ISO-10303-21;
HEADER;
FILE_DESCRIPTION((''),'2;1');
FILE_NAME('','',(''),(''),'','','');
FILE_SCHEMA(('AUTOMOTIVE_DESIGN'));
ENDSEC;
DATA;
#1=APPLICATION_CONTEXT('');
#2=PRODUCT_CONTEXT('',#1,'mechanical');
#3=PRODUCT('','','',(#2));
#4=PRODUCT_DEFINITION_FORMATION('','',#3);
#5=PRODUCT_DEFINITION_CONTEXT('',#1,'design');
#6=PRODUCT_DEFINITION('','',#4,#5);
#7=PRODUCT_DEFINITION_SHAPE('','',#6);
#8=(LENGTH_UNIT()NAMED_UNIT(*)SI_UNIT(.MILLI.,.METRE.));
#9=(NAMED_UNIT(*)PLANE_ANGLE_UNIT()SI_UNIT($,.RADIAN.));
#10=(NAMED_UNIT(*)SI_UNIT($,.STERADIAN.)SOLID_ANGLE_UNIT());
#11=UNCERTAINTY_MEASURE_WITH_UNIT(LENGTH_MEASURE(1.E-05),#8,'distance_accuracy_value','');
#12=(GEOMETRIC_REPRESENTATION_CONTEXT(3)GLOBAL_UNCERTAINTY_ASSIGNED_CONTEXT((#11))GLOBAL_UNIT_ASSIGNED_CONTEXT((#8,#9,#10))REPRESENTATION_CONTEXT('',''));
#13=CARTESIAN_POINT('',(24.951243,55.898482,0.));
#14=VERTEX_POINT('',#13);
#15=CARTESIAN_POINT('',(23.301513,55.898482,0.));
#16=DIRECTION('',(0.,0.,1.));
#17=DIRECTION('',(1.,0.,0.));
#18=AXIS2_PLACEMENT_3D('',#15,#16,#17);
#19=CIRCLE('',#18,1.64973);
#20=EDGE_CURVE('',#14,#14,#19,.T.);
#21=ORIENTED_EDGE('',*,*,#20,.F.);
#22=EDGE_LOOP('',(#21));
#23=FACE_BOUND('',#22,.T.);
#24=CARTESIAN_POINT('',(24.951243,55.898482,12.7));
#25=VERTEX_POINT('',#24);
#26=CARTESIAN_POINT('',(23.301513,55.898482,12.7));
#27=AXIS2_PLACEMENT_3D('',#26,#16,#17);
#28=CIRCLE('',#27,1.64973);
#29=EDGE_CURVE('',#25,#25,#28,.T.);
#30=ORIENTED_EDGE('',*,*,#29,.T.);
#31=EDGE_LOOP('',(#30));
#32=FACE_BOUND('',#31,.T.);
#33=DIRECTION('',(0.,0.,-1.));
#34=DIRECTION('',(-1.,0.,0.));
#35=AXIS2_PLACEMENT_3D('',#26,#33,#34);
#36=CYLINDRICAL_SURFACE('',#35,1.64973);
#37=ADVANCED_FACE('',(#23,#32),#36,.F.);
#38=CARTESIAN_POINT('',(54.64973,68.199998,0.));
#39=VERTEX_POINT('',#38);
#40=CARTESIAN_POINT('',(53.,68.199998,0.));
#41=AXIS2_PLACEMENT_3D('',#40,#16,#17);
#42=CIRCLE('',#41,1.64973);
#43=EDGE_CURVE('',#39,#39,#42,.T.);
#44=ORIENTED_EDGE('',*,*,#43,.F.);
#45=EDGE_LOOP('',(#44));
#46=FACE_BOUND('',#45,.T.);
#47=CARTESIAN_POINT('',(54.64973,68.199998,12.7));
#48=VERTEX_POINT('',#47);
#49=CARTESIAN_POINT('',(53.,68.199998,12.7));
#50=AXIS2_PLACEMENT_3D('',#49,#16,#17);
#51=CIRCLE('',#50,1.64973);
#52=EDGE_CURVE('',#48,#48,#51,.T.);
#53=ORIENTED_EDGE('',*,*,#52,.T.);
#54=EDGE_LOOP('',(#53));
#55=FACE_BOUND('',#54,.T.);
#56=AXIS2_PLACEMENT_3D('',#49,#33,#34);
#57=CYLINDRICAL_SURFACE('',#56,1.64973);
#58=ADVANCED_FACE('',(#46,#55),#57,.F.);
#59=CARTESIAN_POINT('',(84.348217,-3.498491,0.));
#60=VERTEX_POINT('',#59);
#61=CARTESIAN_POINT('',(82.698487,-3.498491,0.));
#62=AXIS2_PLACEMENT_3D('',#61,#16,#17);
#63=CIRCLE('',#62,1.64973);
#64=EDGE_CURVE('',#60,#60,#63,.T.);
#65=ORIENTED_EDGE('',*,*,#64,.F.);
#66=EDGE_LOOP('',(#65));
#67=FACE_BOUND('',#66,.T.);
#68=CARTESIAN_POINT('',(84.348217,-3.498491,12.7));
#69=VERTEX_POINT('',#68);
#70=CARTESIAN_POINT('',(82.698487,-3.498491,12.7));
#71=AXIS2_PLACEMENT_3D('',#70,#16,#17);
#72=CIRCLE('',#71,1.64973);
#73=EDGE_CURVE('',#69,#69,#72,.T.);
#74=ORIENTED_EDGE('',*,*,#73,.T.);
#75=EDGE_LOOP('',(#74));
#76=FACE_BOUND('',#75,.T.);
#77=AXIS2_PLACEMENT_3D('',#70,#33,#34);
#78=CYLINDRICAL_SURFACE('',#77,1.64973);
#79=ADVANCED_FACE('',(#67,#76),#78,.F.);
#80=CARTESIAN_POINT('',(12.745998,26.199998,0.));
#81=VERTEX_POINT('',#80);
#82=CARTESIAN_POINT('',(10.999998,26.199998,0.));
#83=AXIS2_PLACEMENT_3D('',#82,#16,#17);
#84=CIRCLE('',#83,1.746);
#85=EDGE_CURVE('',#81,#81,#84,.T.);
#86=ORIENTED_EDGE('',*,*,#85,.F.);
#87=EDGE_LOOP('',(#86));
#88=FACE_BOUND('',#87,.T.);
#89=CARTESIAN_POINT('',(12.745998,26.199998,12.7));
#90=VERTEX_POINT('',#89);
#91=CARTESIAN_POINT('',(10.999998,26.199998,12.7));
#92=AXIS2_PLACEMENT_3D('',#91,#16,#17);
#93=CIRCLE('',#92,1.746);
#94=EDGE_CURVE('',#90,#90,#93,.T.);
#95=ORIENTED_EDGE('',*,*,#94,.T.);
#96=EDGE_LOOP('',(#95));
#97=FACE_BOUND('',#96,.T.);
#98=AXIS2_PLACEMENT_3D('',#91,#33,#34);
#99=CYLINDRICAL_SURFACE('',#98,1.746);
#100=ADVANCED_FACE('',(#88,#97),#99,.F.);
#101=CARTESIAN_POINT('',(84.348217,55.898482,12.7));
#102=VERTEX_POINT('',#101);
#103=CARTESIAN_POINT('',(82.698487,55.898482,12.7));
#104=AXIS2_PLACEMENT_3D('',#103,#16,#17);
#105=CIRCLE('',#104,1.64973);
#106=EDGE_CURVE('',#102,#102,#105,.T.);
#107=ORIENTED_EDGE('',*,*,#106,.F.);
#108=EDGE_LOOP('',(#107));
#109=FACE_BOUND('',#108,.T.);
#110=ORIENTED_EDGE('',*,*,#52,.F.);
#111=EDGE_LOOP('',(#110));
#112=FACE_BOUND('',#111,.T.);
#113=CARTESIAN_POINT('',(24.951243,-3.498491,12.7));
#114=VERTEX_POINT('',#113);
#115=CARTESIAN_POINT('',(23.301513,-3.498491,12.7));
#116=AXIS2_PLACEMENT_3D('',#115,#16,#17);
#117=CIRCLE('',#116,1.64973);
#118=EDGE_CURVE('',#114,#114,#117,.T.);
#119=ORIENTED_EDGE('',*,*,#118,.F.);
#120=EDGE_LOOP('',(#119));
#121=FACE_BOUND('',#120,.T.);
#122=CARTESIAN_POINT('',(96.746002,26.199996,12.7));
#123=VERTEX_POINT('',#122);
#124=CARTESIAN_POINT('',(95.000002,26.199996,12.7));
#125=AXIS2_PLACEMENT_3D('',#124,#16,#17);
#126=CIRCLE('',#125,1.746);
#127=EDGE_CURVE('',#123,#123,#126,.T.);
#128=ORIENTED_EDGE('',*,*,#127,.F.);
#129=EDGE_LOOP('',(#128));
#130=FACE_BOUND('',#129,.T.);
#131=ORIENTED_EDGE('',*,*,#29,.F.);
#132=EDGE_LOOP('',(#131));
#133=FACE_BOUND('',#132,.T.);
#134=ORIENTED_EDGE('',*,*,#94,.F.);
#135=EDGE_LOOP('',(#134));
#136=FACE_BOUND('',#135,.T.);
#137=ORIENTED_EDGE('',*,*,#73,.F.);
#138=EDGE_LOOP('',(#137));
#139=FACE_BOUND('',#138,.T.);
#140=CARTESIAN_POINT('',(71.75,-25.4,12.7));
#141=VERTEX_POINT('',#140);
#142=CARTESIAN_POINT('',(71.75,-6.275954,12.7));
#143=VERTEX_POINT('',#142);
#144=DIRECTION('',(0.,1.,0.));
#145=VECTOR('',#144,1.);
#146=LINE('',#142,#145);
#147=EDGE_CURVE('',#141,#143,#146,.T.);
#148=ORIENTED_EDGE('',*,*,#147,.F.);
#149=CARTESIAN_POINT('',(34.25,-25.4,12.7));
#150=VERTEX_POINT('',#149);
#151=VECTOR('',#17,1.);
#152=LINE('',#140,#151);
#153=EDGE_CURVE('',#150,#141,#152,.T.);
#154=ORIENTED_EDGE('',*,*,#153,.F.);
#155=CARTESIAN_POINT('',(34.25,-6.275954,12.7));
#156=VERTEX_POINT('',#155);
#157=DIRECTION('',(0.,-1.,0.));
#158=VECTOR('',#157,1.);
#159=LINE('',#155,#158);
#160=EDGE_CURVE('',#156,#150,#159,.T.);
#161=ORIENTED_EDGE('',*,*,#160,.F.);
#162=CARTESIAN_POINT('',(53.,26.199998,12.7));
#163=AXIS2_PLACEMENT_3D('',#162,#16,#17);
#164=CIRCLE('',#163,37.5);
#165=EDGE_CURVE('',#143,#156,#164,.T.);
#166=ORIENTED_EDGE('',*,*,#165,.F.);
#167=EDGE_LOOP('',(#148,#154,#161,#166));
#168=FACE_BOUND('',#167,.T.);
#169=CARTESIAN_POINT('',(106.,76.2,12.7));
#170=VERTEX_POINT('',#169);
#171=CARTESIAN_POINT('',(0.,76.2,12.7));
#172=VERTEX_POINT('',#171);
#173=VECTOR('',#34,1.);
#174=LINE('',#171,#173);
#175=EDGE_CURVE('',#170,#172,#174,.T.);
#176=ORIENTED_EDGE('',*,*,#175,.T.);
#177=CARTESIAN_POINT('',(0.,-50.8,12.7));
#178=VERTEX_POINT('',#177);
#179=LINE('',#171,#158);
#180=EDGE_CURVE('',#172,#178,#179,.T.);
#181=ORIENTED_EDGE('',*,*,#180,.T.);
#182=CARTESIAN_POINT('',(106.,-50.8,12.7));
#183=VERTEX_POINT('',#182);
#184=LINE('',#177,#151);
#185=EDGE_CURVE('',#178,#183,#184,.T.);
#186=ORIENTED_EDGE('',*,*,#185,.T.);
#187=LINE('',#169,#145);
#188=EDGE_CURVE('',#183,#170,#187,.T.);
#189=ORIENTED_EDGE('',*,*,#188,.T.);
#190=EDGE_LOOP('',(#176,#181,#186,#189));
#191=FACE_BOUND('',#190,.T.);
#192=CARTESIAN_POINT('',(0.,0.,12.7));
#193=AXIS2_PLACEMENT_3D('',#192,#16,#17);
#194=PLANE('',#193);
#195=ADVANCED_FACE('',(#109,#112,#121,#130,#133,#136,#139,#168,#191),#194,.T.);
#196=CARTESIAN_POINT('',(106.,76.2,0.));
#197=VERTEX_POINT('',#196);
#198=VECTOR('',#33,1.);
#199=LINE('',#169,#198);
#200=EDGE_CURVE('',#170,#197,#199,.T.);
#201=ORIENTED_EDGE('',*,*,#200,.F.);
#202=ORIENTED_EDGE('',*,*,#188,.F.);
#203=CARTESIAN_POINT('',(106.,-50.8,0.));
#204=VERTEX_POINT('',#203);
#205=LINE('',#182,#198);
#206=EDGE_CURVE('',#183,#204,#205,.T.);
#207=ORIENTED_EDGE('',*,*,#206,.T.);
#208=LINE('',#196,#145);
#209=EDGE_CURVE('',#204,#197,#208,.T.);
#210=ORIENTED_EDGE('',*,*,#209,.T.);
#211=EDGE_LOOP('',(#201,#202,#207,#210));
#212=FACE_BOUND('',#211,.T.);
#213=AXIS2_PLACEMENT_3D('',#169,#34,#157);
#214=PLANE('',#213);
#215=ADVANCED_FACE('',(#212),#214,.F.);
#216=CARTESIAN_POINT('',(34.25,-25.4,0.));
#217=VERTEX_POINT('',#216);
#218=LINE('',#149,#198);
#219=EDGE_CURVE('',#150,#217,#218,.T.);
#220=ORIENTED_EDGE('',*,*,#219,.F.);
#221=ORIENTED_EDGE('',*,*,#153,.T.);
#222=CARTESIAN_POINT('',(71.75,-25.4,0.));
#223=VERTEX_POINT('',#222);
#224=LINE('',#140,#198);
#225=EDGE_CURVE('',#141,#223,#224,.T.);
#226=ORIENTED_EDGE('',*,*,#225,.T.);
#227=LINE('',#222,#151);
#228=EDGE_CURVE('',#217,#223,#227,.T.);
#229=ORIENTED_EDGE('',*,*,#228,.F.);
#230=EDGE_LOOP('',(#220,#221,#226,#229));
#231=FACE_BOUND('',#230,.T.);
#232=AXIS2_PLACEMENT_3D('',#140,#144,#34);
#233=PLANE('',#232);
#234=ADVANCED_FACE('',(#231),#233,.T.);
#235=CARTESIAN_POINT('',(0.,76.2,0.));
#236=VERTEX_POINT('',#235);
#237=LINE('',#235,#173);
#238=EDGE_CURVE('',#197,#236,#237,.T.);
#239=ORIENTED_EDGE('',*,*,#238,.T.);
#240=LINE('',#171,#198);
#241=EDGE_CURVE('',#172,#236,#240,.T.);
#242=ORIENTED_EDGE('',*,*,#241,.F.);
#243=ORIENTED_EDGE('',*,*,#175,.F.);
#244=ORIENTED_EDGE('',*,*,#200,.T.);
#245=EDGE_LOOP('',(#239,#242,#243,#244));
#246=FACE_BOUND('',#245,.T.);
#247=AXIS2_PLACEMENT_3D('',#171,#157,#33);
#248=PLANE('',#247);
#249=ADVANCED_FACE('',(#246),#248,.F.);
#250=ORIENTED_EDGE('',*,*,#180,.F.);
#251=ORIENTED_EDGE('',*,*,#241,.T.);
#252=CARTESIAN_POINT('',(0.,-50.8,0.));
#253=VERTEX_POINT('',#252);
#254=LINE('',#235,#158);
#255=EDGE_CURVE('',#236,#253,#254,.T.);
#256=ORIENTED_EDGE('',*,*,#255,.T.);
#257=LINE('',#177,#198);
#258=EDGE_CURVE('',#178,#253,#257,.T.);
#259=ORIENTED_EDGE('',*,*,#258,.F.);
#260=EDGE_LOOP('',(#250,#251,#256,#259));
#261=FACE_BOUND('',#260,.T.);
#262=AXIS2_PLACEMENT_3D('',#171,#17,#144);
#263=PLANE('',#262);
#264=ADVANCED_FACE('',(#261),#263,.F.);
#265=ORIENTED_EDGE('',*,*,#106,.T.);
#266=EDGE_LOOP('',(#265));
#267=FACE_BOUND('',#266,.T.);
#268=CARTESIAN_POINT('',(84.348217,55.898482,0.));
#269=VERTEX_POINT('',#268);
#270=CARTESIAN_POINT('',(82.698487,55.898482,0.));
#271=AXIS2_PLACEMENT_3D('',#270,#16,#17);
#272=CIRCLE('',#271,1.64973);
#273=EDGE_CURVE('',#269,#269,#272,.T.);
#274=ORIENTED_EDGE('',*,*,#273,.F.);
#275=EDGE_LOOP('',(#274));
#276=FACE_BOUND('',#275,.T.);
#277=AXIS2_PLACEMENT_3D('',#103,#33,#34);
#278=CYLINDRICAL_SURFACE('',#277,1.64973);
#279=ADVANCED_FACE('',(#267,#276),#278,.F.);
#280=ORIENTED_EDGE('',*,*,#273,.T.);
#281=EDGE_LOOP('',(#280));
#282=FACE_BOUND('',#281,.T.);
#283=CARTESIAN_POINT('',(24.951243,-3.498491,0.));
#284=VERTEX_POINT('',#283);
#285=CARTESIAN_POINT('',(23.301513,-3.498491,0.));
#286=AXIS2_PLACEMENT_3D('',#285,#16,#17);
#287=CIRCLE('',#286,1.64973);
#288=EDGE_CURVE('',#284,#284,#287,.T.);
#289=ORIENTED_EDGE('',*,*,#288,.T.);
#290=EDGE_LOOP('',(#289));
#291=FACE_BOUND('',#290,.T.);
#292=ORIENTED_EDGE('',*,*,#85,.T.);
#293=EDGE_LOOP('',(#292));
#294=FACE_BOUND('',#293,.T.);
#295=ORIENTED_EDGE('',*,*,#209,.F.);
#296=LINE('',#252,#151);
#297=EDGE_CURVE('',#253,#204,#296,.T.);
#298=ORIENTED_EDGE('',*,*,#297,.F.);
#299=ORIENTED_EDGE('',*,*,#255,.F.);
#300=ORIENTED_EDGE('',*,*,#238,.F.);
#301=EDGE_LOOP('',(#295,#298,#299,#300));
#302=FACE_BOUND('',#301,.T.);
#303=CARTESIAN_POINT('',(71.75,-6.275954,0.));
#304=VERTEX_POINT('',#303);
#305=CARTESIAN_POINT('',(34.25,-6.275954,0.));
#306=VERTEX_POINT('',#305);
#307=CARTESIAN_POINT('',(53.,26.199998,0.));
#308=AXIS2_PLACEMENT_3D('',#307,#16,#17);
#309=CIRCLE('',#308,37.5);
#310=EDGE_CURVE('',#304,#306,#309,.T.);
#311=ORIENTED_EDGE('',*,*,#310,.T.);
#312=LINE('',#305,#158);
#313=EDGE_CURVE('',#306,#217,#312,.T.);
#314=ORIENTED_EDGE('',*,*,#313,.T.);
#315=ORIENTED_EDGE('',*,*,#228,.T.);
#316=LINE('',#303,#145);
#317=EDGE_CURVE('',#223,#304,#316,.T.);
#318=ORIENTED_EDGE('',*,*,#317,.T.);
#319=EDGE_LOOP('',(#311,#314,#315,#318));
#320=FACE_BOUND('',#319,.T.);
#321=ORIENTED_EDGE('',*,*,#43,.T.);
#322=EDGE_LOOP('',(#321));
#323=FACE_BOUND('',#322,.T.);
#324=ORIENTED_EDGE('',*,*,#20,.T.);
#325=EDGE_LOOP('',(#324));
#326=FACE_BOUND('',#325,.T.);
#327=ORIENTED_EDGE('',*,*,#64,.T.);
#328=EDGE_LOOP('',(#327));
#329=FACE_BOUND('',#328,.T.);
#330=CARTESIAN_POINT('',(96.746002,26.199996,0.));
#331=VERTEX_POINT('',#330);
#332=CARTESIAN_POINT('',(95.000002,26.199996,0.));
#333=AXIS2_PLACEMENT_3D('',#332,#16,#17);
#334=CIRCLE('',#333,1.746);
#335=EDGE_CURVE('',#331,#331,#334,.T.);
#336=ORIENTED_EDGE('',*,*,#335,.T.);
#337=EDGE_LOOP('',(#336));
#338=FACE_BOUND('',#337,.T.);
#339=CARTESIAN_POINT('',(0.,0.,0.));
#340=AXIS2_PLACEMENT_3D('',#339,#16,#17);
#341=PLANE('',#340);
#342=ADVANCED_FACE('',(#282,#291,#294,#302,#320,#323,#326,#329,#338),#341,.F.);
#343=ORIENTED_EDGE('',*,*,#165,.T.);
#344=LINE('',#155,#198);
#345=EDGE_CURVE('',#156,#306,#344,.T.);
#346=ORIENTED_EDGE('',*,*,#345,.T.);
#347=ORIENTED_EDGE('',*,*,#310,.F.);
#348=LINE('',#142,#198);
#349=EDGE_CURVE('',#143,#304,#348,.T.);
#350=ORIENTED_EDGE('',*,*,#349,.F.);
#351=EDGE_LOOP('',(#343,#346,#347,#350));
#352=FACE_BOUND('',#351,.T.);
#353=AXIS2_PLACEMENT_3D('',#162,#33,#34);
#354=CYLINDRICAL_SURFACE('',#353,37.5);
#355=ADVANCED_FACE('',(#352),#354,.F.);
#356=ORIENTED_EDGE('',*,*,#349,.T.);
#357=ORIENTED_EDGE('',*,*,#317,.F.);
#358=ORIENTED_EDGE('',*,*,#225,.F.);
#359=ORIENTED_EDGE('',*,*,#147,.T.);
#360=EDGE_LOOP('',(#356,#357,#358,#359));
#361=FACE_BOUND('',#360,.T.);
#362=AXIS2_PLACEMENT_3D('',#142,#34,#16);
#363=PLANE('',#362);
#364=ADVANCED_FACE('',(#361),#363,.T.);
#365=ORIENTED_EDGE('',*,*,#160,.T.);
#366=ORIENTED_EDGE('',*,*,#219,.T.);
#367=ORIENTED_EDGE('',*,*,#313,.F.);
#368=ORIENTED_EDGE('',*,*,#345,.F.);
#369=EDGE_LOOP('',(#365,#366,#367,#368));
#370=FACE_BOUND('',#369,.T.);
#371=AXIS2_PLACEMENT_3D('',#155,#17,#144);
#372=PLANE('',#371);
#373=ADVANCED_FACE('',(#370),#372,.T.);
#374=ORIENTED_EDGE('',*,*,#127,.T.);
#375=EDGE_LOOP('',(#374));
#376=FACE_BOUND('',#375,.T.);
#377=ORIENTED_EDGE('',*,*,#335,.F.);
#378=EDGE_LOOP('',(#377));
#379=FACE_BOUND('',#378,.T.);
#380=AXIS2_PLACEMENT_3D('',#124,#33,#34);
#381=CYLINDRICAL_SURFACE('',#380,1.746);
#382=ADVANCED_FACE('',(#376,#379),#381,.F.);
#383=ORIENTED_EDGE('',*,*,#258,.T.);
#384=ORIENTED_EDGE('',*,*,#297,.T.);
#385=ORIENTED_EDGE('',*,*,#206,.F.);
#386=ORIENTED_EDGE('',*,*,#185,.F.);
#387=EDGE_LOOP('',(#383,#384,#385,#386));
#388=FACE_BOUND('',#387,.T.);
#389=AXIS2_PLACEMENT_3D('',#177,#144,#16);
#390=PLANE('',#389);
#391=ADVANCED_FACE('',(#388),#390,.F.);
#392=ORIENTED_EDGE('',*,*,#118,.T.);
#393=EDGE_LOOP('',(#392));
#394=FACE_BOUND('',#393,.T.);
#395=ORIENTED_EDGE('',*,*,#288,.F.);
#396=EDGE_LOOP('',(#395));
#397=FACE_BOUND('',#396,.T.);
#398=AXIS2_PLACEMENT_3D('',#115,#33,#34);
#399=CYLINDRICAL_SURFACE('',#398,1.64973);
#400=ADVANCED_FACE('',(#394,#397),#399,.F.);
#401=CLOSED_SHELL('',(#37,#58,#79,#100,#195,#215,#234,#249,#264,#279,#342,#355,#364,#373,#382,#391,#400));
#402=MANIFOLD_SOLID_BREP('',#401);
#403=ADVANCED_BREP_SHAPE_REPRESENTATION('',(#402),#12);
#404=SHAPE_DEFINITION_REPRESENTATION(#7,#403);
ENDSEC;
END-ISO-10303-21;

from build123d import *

# Parameters (mm, degrees)
SKETCH1_W           = 106
SKETCH1_H           = 127
SKETCH1_R           = 1.64973
SKETCH1_R_2         = 1.746
BOSS_EXTRUDE1_DEPTH = 12.7


with BuildPart() as part:
    # Sketch1 → Boss-Extrude1 (new body)
    with BuildSketch(Plane.XY):
        with Locations((53, 12.7)):
            Rectangle(SKETCH1_W, SKETCH1_H)
        with Locations((82.698486542, 55.898482492)):
            Circle(SKETCH1_R, mode=Mode.SUBTRACT)
        with Locations((95.00000245, 26.19999595)):
            Circle(SKETCH1_R_2, mode=Mode.SUBTRACT)
        with Locations((82.698486542, -3.498490592)):
            Circle(SKETCH1_R, mode=Mode.SUBTRACT)
        with Locations((23.301513458, -3.498490592)):
            Circle(SKETCH1_R, mode=Mode.SUBTRACT)
        with Locations((10.99999755, 26.1999984)):
            Circle(SKETCH1_R_2, mode=Mode.SUBTRACT)
        with Locations((23.301513458, 55.898482492)):
            Circle(SKETCH1_R, mode=Mode.SUBTRACT)
        with Locations((53, 68.1999984)):
            Circle(SKETCH1_R, mode=Mode.SUBTRACT)
        with BuildLine():
            Line((34.25, -6.275954242), (34.25, -25.4))
            Line((34.25, -25.4), (71.75, -25.4))
            Line((71.75, -25.4), (71.75, -6.275954242))
            ThreePointArc((71.75, -6.275954242), (53, 63.6999984), (34.25, -6.275954242))
        make_face(mode=Mode.SUBTRACT)
    extrude(amount=BOSS_EXTRUDE1_DEPTH)


solid = part.part
